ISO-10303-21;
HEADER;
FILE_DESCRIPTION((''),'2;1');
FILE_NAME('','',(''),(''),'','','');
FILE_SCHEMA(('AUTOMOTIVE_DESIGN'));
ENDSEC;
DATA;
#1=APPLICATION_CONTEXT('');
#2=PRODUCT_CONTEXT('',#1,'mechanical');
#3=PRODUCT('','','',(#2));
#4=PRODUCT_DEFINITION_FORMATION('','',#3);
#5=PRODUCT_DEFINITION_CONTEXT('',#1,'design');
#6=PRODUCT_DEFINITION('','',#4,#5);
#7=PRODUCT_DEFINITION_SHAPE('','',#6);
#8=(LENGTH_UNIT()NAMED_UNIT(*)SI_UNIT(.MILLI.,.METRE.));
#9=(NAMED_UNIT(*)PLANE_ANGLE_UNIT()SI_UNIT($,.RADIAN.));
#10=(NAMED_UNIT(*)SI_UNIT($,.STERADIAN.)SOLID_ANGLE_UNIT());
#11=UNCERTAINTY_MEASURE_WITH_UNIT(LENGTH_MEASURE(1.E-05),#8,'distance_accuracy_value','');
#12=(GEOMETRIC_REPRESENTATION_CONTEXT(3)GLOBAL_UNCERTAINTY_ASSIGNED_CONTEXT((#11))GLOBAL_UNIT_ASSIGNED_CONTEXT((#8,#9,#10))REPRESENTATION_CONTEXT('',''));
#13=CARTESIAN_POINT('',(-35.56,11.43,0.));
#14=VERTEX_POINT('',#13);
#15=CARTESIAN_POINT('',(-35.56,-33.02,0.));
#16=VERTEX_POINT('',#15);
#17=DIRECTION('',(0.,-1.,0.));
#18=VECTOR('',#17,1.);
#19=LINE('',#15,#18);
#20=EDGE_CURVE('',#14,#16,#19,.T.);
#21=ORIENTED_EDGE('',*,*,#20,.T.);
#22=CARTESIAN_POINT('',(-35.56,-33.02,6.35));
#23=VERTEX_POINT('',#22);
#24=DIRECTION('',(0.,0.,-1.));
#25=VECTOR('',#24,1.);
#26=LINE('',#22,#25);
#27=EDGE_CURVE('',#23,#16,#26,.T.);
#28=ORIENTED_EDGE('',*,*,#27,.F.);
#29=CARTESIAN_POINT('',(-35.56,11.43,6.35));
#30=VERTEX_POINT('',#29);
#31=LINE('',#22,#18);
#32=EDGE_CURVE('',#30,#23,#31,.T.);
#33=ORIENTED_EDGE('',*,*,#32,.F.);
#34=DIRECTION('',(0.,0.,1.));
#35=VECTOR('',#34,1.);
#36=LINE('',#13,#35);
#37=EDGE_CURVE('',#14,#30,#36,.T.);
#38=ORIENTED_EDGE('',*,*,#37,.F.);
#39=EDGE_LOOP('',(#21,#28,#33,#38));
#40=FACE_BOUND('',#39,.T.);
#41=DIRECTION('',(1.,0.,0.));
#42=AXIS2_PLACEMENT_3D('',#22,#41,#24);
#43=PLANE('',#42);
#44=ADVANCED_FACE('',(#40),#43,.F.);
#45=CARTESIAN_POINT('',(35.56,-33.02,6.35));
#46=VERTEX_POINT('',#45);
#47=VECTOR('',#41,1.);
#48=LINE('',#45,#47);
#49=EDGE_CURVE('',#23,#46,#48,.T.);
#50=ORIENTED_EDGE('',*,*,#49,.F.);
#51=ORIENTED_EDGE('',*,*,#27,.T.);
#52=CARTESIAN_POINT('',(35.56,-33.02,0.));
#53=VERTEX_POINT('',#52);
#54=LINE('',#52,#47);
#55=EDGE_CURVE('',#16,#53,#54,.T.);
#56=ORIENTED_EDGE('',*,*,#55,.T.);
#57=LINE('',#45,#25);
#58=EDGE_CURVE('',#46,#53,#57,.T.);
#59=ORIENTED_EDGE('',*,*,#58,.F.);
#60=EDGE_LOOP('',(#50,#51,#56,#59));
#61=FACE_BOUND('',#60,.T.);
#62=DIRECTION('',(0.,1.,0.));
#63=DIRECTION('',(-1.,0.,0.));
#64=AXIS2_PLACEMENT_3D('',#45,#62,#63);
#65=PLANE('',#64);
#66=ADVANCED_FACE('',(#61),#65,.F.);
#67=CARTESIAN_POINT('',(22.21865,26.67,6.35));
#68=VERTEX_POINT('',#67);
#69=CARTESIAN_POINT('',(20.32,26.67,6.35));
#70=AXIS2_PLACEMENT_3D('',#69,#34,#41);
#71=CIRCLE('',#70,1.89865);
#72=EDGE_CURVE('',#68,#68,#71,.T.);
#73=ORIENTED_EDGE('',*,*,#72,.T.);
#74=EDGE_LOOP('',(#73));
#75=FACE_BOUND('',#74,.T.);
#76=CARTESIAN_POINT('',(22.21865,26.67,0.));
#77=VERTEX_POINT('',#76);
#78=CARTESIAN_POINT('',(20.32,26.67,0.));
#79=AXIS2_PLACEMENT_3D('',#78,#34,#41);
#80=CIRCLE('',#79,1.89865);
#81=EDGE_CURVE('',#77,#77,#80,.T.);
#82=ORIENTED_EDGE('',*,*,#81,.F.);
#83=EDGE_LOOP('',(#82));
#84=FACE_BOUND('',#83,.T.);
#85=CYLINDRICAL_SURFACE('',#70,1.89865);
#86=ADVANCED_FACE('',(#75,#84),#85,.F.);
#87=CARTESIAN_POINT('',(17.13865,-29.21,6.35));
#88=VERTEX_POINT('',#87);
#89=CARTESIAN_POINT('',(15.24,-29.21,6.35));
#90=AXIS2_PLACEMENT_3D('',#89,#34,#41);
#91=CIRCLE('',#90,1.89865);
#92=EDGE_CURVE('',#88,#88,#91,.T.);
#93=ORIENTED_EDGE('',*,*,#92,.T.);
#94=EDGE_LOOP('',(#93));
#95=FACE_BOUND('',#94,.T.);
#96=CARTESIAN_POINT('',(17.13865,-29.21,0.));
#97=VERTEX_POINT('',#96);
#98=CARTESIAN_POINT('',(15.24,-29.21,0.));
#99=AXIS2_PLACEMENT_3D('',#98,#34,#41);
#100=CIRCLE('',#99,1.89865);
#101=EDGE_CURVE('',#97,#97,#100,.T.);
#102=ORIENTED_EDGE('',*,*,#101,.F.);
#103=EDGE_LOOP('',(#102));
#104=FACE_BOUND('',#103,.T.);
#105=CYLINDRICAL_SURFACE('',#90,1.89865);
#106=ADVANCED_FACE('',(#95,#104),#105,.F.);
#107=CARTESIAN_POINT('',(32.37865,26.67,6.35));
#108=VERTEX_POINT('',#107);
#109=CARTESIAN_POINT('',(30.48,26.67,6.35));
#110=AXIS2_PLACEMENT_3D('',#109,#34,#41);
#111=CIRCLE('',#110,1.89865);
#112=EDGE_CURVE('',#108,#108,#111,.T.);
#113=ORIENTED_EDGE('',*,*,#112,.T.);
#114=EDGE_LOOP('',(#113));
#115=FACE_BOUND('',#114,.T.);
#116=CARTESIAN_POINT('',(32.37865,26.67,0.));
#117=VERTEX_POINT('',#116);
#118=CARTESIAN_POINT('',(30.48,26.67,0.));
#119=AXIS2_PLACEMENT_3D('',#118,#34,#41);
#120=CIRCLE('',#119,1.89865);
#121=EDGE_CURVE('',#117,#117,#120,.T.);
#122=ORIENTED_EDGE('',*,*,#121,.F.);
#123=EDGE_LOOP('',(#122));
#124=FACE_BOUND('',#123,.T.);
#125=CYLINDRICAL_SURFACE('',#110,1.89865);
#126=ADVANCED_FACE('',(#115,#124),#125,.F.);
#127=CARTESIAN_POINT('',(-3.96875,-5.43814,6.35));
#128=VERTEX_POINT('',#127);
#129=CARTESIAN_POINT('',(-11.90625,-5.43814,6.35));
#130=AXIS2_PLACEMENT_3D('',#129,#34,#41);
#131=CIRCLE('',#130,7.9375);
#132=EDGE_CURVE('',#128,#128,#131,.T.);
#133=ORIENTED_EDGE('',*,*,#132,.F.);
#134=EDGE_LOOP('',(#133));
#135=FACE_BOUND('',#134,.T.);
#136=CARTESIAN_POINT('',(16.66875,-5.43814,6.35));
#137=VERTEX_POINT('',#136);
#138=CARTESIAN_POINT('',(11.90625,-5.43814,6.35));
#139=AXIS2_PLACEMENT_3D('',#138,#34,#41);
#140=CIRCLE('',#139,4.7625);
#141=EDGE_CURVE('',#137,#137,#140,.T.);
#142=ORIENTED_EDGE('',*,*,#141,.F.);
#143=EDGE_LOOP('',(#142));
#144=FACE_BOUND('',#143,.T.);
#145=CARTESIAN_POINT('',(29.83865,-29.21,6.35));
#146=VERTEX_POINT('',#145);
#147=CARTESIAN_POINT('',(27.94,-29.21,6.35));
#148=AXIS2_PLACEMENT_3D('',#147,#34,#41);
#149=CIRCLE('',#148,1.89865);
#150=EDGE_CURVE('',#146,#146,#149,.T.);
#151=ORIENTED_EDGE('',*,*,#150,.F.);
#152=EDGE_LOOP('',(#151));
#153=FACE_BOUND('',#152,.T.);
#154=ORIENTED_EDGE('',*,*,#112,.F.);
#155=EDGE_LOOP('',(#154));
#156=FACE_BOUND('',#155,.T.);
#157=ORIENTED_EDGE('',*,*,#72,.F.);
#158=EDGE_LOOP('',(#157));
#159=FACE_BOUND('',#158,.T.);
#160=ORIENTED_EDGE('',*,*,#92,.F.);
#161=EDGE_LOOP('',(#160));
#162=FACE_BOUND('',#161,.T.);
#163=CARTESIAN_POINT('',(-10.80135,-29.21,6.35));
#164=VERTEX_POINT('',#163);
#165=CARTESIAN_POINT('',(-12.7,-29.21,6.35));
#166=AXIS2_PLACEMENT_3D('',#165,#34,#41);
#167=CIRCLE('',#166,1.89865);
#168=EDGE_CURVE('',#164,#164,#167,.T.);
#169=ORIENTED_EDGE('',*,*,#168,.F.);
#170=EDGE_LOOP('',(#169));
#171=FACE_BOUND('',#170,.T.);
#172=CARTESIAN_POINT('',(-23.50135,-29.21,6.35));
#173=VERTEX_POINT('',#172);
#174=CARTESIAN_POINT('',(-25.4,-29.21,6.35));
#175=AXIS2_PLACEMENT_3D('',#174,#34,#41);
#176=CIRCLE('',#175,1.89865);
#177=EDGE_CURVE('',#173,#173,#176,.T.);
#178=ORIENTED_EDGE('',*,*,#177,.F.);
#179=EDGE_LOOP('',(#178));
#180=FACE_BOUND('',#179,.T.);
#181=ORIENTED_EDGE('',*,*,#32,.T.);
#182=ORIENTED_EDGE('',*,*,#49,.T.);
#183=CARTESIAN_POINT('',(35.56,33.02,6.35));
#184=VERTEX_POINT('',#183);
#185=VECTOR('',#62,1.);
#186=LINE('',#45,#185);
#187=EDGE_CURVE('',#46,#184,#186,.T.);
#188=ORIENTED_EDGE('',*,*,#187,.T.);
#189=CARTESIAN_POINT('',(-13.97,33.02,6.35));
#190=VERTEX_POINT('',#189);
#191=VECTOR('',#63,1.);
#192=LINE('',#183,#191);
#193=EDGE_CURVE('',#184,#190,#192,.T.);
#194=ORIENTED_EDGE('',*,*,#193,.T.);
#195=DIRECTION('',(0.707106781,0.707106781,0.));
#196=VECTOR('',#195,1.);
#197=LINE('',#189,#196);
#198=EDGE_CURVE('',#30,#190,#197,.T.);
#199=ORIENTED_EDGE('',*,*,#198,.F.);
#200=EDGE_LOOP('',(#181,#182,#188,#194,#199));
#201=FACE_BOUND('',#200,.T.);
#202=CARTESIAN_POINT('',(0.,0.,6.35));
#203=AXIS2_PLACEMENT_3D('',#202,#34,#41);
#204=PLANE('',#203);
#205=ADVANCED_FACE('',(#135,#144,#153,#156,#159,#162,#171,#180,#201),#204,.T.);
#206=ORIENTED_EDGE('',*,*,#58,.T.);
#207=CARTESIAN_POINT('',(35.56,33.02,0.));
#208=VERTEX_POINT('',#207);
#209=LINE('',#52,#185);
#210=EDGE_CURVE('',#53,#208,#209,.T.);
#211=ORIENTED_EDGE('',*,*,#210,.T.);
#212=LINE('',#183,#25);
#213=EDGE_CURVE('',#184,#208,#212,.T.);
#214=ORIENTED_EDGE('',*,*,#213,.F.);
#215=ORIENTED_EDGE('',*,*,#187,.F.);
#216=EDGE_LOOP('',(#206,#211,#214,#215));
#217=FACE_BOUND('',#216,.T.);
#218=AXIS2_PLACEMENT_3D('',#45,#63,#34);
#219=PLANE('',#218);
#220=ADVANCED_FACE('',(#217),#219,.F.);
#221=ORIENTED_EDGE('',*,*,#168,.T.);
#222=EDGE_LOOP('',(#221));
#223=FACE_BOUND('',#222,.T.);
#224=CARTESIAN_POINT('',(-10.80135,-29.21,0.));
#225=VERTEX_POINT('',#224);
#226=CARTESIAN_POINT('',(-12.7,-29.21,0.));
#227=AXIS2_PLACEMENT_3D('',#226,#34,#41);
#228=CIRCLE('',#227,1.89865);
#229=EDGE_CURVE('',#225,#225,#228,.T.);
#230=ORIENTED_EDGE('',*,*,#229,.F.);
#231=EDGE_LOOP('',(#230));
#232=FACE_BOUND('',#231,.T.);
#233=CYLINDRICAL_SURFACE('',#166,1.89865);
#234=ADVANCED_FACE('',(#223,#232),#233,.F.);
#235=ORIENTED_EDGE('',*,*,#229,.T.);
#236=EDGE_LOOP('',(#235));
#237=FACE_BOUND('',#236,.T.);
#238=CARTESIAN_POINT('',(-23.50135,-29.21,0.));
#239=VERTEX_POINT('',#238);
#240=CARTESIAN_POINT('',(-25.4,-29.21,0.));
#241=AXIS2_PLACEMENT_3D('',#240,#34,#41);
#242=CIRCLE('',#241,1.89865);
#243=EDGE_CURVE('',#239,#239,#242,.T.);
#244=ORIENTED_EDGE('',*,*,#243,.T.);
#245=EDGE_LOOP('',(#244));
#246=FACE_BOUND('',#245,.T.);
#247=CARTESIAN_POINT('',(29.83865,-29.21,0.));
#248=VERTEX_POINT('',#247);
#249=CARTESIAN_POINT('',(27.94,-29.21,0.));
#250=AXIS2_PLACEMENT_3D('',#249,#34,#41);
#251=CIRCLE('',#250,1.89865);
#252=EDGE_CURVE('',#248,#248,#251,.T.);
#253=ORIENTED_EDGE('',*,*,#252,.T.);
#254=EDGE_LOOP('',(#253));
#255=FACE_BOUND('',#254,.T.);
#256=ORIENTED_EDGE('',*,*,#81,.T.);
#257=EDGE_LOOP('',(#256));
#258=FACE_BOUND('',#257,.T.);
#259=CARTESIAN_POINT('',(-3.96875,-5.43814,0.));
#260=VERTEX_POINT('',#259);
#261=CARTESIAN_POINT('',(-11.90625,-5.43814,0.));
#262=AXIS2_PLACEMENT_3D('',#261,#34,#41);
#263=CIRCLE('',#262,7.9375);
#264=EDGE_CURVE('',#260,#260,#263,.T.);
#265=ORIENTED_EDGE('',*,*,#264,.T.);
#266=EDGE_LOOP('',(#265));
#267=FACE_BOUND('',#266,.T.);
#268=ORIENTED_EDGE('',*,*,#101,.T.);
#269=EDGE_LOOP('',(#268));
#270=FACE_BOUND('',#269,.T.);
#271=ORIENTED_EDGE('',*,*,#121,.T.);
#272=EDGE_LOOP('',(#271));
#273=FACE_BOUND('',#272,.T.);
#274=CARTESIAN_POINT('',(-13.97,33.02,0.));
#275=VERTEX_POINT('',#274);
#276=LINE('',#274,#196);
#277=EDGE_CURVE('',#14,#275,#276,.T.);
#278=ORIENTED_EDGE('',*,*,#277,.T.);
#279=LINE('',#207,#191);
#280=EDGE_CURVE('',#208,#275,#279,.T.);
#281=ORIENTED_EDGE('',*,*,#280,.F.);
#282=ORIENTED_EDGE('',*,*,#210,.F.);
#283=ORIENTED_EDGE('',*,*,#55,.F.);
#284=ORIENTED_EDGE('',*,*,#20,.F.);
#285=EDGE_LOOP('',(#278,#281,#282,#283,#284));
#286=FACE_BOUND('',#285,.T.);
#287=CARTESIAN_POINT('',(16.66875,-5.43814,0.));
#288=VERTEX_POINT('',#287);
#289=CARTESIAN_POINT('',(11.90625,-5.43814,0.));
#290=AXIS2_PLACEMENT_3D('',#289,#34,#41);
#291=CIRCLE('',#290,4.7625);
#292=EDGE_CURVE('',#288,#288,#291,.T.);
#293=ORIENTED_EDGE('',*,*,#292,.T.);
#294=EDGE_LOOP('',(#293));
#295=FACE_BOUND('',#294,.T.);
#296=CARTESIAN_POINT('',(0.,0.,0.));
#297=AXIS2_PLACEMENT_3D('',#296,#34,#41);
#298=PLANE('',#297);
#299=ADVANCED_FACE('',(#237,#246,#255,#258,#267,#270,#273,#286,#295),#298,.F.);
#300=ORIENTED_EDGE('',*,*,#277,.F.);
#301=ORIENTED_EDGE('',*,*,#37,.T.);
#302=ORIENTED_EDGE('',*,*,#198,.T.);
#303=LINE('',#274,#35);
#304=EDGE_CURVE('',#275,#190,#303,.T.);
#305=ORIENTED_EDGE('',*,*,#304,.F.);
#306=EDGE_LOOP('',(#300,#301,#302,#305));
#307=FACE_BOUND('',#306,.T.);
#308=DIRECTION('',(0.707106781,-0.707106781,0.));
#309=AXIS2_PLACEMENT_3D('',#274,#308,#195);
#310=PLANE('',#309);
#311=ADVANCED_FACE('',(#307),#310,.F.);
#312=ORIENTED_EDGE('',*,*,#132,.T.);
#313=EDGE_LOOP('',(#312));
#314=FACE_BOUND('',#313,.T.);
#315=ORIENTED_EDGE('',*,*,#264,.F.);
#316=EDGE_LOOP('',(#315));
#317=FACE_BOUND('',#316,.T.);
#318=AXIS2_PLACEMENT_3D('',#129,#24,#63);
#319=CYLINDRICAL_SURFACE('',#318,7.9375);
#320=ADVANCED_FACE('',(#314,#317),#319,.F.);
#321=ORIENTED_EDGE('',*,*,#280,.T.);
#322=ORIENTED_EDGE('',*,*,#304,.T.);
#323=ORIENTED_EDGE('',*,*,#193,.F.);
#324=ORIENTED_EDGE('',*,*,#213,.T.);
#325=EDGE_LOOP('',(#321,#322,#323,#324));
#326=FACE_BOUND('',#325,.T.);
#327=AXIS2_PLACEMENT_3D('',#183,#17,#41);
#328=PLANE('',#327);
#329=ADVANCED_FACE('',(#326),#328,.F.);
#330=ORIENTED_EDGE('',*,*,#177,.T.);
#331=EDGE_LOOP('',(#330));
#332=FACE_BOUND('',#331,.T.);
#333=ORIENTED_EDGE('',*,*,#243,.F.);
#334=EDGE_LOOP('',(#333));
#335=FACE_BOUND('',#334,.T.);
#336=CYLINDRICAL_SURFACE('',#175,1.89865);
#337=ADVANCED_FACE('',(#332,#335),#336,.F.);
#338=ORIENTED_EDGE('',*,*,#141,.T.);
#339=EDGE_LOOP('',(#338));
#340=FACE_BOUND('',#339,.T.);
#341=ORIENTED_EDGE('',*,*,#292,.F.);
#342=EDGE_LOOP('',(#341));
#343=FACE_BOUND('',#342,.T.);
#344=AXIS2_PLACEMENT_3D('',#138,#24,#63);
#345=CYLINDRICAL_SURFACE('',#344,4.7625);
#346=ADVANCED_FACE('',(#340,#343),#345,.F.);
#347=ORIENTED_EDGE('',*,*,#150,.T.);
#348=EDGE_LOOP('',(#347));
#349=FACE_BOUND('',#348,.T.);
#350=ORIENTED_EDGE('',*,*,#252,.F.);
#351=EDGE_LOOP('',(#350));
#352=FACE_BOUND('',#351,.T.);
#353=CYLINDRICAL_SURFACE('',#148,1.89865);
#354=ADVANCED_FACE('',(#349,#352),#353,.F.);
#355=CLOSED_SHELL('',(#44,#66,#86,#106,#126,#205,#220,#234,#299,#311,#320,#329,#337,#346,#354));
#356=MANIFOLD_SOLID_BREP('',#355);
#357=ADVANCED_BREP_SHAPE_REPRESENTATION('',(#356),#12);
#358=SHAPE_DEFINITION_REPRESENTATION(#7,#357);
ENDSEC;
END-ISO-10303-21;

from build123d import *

# Parameters (mm, degrees)
SKETCH1_W             = 71.12
SKETCH1_H             = 66.04
SKETCH1_R             = 7.9375
SKETCH1_R_2           = 4.7625
BOSS_EXTRUDE1_DEPTH   = 6.35
F_6_CLEARANCE_HOLE1_D = 3.7973
CUT_EXTRUDE1_DEPTH    = 49.940336125
F_6_CLEARANCE_HOLE2_D = 3.7973


with BuildPart() as part:
    # Sketch1 → Boss-Extrude1 (new body)
    with BuildSketch(Plane.XY):
        Rectangle(SKETCH1_W, SKETCH1_H)
        with Locations((-11.90625, -5.43814)):
            Circle(SKETCH1_R, mode=Mode.SUBTRACT)
        with Locations((11.90625, -5.43814)):
            Circle(SKETCH1_R_2, mode=Mode.SUBTRACT)
    extrude(amount=BOSS_EXTRUDE1_DEPTH)

    # #6 Clearance Hole1 (through all)
    with Locations(Plane.XY.offset(6.35)):
        with Locations((-25.4, -29.21), (-12.7, -29.21), (15.24, -29.21), (27.94, -29.21)):
            Hole(F_6_CLEARANCE_HOLE1_D / 2)

    # Sketch4 → Cut-Extrude1 (cut, through all)
    with BuildSketch(Plane.XY.offset(6.35)):
        Polygon((-35.56, 11.43), (-35.56, 33.02), (-13.97, 33.02), align=None)
    extrude(amount=-CUT_EXTRUDE1_DEPTH, mode=Mode.SUBTRACT)

    # #6 Clearance Hole2 (through all)
    with Locations(Plane.XY.offset(6.35)):
        with Locations((20.32, 26.67), (30.48, 26.67)):
            Hole(F_6_CLEARANCE_HOLE2_D / 2)


solid = part.part
